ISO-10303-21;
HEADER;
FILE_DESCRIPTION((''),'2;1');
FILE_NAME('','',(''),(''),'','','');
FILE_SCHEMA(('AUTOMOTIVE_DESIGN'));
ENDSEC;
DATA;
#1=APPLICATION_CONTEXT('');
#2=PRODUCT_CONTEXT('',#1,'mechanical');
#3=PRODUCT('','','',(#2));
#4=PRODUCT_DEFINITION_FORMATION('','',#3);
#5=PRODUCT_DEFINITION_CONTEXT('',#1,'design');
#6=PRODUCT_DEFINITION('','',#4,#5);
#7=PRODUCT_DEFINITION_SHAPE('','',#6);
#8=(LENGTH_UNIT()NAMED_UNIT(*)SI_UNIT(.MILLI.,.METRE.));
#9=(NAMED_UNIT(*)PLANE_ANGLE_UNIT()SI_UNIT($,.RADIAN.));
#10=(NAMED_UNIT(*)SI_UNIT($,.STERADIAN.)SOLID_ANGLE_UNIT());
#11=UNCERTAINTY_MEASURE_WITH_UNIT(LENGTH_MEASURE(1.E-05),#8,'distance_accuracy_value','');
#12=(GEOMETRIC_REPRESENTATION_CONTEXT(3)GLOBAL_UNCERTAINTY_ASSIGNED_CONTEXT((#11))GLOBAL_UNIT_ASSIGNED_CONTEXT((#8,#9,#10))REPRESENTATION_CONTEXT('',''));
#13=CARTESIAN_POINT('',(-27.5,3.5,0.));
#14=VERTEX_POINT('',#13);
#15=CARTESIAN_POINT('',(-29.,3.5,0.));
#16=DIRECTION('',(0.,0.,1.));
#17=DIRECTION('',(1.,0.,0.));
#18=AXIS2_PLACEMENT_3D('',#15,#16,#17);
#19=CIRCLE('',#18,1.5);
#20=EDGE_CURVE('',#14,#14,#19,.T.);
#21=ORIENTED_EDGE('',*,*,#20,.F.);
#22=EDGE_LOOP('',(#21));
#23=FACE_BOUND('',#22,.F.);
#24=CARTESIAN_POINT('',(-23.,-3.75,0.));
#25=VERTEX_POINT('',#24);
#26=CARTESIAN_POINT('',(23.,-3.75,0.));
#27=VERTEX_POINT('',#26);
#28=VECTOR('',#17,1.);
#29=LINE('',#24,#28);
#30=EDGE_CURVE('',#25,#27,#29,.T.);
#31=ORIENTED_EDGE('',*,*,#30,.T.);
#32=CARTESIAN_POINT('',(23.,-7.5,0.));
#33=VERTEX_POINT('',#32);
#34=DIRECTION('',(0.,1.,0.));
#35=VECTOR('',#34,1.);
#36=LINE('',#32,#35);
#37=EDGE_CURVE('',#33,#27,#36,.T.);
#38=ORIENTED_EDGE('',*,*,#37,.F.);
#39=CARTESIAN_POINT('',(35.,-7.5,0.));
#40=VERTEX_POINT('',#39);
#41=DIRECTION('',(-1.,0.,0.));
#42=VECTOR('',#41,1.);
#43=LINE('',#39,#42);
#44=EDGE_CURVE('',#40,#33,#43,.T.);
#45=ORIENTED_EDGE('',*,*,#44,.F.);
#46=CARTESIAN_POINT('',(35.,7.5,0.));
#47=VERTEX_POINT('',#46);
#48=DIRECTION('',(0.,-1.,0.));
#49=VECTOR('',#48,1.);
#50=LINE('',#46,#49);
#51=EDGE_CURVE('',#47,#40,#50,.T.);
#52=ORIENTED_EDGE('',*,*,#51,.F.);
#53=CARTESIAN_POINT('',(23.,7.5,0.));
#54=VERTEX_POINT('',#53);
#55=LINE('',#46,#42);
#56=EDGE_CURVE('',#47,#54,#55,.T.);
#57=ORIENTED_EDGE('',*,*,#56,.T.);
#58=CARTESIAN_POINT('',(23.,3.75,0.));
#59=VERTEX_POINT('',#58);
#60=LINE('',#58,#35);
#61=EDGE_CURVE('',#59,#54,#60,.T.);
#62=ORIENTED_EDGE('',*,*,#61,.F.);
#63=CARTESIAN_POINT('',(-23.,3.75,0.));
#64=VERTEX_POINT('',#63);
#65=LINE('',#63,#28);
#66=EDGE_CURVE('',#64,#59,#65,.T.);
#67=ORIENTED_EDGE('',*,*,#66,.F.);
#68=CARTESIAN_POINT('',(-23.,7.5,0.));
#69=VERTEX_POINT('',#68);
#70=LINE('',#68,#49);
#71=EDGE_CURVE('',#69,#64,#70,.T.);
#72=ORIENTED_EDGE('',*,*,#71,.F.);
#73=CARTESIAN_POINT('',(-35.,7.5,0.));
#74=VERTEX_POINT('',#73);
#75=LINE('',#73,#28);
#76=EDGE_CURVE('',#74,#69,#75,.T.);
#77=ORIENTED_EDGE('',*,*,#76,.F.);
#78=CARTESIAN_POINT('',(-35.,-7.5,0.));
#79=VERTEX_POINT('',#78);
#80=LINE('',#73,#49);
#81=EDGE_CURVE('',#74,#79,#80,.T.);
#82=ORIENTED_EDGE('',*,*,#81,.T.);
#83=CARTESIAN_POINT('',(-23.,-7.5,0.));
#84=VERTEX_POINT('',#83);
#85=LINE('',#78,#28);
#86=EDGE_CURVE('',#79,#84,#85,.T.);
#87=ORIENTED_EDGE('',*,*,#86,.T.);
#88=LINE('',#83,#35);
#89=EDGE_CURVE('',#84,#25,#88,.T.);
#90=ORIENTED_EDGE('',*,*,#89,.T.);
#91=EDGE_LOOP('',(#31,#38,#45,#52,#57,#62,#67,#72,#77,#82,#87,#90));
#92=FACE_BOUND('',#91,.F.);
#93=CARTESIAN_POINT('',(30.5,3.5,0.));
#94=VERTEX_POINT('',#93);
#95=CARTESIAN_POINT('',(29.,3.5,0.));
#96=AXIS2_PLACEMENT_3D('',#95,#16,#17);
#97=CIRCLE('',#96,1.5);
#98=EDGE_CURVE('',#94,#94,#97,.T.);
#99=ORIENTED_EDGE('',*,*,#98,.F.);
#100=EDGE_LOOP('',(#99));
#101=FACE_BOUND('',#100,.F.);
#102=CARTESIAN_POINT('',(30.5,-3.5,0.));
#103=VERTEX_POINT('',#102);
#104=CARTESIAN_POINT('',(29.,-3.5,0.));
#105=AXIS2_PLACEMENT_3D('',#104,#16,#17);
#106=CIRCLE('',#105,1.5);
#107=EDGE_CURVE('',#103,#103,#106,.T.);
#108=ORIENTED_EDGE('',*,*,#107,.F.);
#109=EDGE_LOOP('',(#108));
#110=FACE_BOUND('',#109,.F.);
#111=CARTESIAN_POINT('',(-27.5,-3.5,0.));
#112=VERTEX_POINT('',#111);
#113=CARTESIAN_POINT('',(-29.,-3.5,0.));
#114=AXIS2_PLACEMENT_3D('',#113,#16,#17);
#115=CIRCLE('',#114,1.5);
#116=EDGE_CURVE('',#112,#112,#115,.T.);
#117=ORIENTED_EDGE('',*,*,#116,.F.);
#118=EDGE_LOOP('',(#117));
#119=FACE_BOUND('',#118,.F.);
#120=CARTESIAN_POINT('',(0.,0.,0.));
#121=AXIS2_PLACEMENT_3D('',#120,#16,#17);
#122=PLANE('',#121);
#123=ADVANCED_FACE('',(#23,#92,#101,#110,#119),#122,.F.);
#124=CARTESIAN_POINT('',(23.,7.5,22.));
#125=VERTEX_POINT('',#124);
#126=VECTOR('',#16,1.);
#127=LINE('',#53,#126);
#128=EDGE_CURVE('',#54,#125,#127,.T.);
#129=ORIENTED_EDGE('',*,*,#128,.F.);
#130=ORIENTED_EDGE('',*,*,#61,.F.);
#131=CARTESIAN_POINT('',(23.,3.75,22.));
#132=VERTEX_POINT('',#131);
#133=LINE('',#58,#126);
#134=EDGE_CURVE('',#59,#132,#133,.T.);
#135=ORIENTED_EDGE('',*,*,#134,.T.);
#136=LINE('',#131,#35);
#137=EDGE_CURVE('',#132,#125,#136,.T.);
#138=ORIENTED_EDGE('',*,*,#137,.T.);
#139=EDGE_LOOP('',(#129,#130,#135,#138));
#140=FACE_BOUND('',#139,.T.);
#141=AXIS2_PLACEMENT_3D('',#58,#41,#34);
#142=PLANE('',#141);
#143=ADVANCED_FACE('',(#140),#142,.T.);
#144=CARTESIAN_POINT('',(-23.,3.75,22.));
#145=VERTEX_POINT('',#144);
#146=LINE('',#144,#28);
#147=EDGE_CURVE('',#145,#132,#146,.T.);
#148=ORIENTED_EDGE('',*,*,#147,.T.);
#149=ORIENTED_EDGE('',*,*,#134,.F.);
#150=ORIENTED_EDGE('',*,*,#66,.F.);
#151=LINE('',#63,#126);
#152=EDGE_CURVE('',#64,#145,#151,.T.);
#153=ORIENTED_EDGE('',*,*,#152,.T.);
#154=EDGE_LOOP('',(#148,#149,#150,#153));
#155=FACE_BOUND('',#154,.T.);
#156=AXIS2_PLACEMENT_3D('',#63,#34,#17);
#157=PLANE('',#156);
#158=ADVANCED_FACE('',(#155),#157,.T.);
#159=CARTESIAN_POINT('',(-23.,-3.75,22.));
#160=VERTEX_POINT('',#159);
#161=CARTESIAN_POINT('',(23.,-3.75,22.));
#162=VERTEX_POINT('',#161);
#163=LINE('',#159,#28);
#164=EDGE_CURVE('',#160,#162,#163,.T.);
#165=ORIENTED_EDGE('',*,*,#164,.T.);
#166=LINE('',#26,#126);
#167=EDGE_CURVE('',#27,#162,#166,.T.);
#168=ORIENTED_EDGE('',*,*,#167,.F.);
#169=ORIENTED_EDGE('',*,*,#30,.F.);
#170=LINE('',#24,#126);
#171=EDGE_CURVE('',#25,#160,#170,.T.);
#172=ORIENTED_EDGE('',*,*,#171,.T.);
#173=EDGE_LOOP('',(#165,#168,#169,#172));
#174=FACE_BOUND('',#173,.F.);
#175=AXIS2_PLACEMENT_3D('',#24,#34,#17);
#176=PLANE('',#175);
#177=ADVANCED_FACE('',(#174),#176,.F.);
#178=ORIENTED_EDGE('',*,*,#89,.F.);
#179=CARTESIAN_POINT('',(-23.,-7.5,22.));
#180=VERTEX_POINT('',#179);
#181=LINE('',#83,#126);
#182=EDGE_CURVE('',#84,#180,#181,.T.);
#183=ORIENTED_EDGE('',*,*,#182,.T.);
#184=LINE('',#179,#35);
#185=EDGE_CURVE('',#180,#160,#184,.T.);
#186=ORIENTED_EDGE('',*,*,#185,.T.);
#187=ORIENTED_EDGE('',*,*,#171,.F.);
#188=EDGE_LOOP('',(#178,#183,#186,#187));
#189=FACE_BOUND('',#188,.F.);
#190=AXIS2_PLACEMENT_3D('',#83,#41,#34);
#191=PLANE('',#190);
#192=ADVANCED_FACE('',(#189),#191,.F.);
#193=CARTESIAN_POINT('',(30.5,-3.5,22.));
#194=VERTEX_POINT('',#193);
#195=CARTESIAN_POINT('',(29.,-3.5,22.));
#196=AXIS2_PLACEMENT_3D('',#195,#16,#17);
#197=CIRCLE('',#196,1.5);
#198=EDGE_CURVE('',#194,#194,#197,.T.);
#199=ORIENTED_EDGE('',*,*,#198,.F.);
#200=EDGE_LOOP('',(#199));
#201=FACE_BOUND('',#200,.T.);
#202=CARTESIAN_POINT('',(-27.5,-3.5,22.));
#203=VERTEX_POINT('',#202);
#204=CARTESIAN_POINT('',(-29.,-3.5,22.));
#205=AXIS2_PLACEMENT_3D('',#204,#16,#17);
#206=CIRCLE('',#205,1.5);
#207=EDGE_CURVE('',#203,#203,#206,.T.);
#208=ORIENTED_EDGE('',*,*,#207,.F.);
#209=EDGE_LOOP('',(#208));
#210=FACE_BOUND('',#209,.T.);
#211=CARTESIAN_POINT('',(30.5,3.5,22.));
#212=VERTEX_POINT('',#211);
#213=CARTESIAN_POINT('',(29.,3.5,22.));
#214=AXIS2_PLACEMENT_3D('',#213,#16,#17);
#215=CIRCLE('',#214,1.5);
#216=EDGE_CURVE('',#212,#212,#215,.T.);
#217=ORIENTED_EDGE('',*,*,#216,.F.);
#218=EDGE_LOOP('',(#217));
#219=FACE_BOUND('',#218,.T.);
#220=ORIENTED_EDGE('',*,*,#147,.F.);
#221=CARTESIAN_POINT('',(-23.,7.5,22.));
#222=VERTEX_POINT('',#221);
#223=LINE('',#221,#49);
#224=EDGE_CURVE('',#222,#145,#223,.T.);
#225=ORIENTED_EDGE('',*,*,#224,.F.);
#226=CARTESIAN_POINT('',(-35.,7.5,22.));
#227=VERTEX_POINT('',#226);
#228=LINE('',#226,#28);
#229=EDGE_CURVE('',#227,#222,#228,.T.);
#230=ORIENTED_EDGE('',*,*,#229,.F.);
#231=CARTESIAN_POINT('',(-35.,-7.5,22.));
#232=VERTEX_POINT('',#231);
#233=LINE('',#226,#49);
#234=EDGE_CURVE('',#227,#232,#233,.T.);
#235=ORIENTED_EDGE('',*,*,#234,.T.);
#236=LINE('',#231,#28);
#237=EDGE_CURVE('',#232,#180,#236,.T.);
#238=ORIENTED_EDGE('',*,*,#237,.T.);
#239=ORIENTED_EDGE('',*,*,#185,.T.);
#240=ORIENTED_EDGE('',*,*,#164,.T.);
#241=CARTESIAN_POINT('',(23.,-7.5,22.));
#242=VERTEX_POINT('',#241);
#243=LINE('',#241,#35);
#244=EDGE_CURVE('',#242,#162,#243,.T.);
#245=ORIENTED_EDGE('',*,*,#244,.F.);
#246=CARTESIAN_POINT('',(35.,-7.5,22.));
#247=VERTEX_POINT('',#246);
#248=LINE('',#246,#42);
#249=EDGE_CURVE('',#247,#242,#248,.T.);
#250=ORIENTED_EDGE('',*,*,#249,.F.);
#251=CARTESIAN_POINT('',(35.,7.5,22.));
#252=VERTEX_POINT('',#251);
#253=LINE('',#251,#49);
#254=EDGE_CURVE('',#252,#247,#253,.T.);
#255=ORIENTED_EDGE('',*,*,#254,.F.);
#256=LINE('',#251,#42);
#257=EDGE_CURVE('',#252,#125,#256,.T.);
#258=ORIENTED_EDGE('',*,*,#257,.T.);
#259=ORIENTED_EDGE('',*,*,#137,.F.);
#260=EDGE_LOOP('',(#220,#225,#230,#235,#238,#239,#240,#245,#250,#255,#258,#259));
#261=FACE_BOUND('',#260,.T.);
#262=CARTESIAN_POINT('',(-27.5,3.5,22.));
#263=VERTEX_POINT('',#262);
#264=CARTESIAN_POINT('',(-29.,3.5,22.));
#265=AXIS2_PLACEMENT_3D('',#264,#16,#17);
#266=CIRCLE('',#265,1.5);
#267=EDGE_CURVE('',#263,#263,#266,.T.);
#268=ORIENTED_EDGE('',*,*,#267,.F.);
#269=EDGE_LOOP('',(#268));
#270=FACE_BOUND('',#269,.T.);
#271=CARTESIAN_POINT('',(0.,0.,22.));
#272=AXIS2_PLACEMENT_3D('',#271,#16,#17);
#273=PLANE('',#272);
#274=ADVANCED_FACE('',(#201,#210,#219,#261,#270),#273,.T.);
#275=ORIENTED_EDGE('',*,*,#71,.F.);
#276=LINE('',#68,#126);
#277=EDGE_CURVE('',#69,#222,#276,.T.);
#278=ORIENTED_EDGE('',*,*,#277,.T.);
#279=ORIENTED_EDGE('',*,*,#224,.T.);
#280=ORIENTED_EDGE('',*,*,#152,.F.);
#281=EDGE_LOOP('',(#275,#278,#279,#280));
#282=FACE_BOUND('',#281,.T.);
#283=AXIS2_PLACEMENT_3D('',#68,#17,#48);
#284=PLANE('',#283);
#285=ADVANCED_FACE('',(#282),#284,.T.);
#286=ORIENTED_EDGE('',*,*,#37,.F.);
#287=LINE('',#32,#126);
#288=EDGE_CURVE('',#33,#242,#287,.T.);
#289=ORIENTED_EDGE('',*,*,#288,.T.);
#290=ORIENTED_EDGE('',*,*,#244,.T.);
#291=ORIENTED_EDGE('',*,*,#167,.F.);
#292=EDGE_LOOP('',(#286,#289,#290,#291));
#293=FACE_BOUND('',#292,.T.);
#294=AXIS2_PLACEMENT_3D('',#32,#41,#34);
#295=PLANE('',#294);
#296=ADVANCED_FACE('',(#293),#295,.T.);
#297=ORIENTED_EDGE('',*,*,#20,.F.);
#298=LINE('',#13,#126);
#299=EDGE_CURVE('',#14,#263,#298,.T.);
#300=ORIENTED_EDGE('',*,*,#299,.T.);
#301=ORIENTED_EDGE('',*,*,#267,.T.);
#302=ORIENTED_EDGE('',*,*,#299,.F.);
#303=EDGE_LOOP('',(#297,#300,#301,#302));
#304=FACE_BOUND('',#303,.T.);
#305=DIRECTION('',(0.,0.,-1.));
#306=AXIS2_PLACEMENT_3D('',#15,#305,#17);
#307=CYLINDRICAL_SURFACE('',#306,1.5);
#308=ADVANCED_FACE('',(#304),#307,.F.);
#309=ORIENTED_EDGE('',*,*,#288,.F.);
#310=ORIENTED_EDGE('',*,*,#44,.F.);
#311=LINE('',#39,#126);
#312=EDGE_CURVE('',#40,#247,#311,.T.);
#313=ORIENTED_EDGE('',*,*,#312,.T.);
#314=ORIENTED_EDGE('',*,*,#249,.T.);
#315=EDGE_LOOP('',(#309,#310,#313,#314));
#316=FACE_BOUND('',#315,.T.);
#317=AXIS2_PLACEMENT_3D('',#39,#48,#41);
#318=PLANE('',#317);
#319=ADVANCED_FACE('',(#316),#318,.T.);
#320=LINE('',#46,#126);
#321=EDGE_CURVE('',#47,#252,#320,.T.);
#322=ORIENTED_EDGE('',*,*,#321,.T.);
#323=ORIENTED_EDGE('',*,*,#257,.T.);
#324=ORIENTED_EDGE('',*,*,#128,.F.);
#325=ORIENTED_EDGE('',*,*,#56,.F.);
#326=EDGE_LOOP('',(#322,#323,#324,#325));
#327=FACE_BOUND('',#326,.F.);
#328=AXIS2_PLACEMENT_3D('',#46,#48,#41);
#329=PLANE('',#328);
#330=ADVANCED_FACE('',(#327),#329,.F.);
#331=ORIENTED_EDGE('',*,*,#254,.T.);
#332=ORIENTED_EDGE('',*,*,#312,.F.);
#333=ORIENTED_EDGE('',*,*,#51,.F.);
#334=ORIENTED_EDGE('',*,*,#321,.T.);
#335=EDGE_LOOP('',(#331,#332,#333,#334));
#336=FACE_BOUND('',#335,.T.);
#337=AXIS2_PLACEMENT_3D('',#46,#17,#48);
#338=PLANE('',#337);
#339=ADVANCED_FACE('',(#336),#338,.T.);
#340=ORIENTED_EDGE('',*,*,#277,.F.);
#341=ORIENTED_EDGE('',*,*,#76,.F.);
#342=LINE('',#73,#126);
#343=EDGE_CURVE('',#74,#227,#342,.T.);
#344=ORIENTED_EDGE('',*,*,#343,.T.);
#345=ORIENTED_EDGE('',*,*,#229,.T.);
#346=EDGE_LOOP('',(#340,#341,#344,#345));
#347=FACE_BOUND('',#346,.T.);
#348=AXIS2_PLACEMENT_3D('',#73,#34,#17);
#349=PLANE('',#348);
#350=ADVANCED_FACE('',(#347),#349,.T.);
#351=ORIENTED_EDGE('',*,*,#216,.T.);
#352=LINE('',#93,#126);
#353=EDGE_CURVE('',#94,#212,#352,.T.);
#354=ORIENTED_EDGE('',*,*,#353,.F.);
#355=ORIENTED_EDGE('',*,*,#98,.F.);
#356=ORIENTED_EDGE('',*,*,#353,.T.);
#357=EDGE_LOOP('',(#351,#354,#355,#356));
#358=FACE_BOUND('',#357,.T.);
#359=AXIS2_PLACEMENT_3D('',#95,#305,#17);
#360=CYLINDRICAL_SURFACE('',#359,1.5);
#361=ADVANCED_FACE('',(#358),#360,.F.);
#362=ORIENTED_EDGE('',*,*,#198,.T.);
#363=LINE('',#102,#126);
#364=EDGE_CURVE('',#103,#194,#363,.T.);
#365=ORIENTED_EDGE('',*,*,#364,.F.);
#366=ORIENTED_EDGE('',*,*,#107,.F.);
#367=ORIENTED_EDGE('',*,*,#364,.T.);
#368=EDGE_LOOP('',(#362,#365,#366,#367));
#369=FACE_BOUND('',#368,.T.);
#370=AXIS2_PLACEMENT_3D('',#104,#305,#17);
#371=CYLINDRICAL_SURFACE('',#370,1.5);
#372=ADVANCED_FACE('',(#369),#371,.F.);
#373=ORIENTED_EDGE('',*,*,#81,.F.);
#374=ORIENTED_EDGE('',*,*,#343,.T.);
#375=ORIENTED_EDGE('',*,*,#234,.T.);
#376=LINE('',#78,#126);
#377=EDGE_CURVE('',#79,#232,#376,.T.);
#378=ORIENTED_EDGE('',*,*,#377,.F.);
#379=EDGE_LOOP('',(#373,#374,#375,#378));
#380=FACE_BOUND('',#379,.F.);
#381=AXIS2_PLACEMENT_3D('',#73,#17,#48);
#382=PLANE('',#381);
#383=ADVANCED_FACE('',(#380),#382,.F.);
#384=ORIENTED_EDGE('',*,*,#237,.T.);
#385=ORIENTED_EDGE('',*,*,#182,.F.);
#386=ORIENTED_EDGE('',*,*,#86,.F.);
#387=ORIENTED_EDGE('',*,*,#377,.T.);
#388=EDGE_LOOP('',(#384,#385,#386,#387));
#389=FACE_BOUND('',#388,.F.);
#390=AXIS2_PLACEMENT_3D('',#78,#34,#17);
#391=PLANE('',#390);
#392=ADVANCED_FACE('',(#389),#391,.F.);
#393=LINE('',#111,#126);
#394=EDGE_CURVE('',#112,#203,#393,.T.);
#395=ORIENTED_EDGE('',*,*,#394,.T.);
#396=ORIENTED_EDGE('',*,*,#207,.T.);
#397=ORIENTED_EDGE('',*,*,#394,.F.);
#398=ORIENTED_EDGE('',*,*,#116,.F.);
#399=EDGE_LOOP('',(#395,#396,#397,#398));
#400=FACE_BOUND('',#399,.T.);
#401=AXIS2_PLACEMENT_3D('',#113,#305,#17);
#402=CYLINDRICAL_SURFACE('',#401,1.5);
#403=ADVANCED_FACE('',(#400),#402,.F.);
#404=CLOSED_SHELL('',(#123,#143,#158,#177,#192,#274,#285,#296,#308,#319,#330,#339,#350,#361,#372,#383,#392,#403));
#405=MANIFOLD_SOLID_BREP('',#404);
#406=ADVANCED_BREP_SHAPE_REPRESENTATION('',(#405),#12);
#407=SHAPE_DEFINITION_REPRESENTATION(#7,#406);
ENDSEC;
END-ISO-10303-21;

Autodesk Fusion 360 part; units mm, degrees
sketch "Sketch3" plane through (0, 0, 0) normal (0, 0, 1) x (1, 0, 0)
  line L0 (-35, 0) -> (35, 0) construction
  line L1 (-35, 7.5) -> (-35, -7.5)
  line L2 (35, 7.5) -> (35, -7.5)
  line L3 (-23, -3.75) -> (23, -3.75)
  line L4 (-23, 3.75) -> (23, 3.75)
  line L5 (0, 3.75) -> (0, -3.75) construction
  line L6 (-35, -7.5) -> (-23, -7.5)
  line L7 (35, -7.5) -> (23, -7.5)
  line L8 (-35, 7.5) -> (-23, 7.5)
  line L9 (-23, 3.75) -> (23, 3.75)
  line L10 (35, 7.5) -> (23, 7.5)
  circle A0 centre (-29, 3.5) radius 1.5
  circle A1 centre (-29, -3.5) radius 1.5
  circle A2 centre (29, 3.5) radius 1.5
  circle A3 centre (29, -3.5) radius 1.5
  line L11 (-29, 3.5) -> (-29, -3.5) construction
  line L12 (29, 3.5) -> (29, -3.5) construction
  line L13 (29, -3.5) -> (-29, -3.5) construction
  line L14 (-29, -3.5) -> (29, 3.5) construction
  line L15 (23, -7.5) -> (23, -3.75)
  line L16 (23, 3.75) -> (23, 7.5)
  line L17 (-23, 7.5) -> (-23, 3.75)
  line L18 (-23, -7.5) -> (-23, -3.75)
  dimension "d9" = 70
  dimension "d10" = 15
  dimension "d13" = 7.5
  dimension "d17" = 3
  dimension "d18" = 3
  dimension "d19" = 3
  dimension "d20" = 3
  dimension "d22" = 7
  dimension "d23" = 7
  dimension "d26" = 6
  dimension "d27" = 12
extrude "Extrude2" add sketch "Sketch3" along normal blind 22
